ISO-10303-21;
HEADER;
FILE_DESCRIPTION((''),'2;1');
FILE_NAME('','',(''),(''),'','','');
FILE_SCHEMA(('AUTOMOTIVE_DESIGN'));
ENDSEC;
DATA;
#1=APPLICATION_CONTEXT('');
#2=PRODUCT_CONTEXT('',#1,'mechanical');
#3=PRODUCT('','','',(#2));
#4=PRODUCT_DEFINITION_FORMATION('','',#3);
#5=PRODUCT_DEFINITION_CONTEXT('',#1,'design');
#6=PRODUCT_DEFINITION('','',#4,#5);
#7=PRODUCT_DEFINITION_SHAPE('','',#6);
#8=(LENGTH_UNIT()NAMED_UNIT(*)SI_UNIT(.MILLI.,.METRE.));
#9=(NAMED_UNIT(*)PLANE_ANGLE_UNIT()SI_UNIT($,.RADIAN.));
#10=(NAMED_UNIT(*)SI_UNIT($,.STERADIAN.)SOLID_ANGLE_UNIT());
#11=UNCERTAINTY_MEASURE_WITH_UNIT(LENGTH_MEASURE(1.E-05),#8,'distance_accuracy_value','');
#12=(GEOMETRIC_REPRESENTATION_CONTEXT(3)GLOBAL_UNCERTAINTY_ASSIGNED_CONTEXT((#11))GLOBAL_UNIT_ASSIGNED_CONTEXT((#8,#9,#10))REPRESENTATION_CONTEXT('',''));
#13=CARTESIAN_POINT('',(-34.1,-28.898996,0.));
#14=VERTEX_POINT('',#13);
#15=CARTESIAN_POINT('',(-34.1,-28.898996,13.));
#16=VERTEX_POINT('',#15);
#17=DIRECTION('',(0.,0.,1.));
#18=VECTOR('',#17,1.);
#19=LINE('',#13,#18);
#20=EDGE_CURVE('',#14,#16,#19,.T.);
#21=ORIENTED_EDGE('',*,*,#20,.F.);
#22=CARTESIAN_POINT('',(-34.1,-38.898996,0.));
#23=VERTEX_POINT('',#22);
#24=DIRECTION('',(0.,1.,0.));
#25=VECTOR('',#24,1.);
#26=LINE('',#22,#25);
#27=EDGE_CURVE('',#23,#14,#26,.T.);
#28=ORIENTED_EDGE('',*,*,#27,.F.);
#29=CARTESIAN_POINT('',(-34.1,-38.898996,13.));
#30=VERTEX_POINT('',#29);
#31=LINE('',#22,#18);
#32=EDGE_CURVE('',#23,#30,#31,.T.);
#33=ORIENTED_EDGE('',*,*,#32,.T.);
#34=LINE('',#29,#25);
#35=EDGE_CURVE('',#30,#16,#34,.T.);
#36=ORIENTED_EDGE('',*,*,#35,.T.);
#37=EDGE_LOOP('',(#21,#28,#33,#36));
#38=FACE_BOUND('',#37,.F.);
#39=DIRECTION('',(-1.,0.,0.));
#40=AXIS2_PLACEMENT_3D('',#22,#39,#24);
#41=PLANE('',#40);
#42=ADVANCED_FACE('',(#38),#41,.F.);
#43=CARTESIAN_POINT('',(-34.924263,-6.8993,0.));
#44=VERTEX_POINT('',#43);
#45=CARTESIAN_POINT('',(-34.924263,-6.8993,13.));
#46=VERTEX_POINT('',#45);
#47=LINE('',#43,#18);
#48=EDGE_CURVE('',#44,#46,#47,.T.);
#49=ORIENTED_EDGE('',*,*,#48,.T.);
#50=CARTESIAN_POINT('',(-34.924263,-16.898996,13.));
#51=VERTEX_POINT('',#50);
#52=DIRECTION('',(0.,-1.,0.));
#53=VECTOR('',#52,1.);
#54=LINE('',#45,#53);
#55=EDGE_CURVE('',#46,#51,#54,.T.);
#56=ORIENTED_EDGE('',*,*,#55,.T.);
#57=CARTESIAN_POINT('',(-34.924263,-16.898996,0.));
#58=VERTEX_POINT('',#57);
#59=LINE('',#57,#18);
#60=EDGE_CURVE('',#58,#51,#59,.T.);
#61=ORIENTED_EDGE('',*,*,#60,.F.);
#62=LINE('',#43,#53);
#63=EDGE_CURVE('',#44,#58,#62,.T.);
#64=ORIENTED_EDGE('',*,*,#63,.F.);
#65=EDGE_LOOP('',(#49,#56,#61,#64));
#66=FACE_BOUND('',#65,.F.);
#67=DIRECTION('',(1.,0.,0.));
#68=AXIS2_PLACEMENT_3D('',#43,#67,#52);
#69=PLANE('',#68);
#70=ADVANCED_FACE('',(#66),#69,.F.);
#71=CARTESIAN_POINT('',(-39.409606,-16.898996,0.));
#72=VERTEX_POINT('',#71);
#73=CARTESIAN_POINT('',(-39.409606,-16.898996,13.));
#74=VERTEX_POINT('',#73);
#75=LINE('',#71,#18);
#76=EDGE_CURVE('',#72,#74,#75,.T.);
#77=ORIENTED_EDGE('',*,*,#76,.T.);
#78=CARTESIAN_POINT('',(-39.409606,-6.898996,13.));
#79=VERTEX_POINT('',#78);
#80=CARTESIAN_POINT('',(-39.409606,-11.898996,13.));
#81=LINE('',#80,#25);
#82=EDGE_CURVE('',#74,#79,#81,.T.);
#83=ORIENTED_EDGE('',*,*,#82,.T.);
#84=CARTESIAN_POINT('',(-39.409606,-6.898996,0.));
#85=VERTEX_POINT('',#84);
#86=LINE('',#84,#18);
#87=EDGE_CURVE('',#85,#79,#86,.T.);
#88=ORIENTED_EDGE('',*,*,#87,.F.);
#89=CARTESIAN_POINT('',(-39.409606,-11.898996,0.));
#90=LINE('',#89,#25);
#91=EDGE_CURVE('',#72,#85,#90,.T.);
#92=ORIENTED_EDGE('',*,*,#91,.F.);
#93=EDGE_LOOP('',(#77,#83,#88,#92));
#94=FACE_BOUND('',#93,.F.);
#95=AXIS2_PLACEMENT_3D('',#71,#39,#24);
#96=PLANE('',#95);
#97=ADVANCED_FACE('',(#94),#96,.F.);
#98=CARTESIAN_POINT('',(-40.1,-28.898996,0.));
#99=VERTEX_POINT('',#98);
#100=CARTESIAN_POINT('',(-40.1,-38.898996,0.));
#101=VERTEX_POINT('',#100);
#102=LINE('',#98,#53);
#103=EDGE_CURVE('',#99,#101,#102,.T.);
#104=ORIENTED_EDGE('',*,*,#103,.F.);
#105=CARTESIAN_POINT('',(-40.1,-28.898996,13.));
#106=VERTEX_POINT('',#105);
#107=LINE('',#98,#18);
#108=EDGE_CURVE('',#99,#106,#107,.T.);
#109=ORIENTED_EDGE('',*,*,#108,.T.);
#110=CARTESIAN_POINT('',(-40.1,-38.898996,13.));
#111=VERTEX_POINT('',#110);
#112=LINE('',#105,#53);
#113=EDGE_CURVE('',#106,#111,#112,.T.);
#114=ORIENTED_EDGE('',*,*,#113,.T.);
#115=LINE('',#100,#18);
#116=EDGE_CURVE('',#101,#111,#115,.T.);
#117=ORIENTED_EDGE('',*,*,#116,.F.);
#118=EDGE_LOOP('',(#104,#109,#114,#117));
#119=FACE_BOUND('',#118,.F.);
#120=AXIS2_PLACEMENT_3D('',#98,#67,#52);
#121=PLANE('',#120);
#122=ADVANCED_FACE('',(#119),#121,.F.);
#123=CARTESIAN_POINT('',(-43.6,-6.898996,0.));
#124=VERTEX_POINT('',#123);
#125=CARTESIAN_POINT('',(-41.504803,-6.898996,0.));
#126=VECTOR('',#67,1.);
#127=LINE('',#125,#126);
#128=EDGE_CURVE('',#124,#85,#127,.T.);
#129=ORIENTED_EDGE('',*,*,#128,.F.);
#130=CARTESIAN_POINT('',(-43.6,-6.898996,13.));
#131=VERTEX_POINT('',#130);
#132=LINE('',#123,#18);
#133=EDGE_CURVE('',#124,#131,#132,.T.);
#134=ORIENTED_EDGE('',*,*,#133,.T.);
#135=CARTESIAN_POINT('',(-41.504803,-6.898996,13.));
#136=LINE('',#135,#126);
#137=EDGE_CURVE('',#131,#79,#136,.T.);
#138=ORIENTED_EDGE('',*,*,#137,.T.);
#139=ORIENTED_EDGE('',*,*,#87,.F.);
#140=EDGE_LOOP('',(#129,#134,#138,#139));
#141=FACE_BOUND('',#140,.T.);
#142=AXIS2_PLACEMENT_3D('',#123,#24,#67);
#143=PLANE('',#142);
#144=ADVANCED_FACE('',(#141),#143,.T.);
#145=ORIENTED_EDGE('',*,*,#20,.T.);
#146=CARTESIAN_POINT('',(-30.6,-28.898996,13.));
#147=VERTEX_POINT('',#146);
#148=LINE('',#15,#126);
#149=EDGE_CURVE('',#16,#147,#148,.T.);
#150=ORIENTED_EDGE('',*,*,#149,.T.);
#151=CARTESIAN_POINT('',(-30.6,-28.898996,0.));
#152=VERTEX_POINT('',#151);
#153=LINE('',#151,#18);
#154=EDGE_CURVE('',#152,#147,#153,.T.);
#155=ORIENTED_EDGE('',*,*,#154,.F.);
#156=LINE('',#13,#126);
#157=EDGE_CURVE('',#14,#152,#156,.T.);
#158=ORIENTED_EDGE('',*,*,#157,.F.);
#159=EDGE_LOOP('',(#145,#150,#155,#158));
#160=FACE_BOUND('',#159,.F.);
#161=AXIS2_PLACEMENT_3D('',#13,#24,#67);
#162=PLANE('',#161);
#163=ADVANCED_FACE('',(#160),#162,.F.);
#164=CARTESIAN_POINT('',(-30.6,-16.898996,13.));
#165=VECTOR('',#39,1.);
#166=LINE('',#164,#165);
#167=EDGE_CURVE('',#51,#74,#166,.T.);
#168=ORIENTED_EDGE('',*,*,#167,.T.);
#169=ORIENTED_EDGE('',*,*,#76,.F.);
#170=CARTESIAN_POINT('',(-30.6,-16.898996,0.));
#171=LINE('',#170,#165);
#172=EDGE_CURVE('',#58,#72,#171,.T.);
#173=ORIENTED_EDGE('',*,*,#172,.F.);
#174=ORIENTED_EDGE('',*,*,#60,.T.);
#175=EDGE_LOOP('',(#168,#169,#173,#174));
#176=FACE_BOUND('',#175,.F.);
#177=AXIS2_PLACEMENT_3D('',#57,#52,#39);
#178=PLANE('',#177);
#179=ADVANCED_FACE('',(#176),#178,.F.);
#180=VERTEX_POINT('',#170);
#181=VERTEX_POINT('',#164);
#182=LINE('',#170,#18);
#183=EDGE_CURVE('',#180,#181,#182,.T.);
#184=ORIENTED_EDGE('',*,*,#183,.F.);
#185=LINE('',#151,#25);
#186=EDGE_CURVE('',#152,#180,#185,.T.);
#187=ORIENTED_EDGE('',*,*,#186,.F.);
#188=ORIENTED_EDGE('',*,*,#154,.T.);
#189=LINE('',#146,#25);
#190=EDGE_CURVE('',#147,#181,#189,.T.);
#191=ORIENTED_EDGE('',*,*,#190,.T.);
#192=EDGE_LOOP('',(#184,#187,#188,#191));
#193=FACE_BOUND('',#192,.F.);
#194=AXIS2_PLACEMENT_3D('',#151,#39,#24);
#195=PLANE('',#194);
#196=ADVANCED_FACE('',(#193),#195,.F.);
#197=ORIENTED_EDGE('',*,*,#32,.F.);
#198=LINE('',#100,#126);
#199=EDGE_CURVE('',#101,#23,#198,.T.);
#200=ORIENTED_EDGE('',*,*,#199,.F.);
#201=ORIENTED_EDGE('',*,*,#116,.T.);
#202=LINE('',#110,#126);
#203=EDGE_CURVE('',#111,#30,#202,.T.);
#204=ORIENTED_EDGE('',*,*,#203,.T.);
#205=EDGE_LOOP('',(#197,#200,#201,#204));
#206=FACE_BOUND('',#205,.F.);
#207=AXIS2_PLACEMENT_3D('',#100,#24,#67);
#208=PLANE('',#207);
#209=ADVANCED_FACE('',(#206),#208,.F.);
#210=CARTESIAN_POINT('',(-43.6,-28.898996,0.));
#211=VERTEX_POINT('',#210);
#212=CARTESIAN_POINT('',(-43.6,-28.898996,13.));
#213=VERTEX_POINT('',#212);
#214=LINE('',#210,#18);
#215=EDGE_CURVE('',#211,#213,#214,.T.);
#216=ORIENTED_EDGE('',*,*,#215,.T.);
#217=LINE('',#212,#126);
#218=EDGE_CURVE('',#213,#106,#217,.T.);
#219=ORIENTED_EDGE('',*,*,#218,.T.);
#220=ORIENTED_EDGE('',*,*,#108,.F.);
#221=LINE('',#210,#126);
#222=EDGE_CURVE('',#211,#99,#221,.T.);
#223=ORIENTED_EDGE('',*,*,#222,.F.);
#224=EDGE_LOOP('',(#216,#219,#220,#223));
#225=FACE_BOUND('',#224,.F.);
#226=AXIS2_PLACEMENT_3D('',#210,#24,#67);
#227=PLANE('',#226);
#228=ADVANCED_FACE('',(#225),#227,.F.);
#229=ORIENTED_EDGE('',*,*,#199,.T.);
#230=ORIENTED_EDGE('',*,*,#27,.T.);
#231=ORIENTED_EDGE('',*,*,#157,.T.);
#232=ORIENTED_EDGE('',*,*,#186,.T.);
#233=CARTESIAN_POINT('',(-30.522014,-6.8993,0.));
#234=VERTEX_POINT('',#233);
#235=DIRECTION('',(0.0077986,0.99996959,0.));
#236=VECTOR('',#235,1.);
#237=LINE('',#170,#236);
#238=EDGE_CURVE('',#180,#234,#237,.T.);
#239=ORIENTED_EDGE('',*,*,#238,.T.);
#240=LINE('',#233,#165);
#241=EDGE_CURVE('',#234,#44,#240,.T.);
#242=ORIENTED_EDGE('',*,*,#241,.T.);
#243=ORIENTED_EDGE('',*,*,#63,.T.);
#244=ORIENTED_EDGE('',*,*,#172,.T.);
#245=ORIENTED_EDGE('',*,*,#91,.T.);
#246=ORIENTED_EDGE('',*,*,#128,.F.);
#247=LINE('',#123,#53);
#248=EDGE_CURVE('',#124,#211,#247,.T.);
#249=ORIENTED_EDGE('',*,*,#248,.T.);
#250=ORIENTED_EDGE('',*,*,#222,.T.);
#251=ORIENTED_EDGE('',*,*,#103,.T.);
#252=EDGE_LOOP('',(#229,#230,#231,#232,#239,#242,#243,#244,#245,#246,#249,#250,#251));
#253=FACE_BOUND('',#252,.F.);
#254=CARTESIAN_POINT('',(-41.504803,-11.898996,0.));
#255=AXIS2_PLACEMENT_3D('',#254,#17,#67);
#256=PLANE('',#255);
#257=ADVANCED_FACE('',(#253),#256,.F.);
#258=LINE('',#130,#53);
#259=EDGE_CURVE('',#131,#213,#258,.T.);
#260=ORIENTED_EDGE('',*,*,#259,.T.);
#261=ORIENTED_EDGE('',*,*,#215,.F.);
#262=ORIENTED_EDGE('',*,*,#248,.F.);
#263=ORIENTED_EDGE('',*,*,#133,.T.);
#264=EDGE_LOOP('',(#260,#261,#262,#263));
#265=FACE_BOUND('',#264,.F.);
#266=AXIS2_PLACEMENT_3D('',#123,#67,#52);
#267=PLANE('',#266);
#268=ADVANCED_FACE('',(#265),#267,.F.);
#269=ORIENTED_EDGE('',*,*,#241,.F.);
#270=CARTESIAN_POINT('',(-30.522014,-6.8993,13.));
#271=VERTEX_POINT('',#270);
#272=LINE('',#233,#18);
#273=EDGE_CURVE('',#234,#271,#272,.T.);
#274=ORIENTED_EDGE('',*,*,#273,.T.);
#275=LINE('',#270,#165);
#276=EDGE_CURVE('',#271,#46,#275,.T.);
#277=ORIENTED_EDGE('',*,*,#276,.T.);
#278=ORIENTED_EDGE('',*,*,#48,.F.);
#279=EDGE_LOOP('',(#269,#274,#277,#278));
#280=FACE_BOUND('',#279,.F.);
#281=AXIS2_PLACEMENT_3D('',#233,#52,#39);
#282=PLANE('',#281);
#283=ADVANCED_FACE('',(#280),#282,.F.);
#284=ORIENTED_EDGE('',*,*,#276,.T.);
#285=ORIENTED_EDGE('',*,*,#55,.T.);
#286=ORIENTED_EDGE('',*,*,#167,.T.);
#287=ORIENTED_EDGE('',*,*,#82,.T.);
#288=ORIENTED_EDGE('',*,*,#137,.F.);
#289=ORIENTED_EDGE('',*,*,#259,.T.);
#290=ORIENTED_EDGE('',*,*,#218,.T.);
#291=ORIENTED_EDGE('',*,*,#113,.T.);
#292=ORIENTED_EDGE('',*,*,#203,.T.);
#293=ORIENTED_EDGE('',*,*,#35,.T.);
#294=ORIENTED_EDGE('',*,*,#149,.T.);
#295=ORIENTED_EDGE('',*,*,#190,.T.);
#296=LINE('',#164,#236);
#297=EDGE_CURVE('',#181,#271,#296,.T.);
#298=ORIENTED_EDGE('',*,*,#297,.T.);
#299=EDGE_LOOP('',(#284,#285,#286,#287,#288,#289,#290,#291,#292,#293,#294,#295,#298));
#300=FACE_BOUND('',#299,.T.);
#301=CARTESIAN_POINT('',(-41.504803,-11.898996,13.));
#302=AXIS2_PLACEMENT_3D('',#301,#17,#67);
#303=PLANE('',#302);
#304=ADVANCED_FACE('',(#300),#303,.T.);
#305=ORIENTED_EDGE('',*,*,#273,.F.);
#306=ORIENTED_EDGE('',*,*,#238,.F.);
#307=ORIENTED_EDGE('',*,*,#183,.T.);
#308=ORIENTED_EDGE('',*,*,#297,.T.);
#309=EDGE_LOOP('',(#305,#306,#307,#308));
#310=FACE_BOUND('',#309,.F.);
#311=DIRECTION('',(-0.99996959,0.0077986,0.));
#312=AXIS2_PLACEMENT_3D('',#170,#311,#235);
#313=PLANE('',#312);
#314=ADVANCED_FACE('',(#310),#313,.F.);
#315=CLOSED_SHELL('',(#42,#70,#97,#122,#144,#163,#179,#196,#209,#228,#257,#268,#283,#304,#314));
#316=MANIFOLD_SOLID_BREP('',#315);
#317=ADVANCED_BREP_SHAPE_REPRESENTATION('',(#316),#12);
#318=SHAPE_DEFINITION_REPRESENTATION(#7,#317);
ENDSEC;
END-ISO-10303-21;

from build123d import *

# Parameters (mm, degrees)
F0_W     = 4.190394
F0_H     = 10
F1_DEPTH = 13


with BuildPart() as f1:
    # F0 (on Top) → F1 (new body)
    with BuildSketch(Plane.XY):
        with Locations((-41.504803, -11.898996)):
            Rectangle(F0_W, F0_H)
        Polygon((-39.409606, -16.898996), (-43.6, -16.898996), (-43.6, -28.898996), (-40.1, -28.898996), (-40.1, -38.898996), (-34.1, -38.898996), (-34.1, -28.898996), (-30.6, -28.898996), (-30.6, -16.898996), (-34.924263, -16.898996), align=None)
        Polygon((-34.924263, -6.8993), (-34.924263, -16.898996), (-30.6, -16.898996), (-30.522014, -6.8993), align=None)
    extrude(amount=F1_DEPTH)


solid = f1.part
